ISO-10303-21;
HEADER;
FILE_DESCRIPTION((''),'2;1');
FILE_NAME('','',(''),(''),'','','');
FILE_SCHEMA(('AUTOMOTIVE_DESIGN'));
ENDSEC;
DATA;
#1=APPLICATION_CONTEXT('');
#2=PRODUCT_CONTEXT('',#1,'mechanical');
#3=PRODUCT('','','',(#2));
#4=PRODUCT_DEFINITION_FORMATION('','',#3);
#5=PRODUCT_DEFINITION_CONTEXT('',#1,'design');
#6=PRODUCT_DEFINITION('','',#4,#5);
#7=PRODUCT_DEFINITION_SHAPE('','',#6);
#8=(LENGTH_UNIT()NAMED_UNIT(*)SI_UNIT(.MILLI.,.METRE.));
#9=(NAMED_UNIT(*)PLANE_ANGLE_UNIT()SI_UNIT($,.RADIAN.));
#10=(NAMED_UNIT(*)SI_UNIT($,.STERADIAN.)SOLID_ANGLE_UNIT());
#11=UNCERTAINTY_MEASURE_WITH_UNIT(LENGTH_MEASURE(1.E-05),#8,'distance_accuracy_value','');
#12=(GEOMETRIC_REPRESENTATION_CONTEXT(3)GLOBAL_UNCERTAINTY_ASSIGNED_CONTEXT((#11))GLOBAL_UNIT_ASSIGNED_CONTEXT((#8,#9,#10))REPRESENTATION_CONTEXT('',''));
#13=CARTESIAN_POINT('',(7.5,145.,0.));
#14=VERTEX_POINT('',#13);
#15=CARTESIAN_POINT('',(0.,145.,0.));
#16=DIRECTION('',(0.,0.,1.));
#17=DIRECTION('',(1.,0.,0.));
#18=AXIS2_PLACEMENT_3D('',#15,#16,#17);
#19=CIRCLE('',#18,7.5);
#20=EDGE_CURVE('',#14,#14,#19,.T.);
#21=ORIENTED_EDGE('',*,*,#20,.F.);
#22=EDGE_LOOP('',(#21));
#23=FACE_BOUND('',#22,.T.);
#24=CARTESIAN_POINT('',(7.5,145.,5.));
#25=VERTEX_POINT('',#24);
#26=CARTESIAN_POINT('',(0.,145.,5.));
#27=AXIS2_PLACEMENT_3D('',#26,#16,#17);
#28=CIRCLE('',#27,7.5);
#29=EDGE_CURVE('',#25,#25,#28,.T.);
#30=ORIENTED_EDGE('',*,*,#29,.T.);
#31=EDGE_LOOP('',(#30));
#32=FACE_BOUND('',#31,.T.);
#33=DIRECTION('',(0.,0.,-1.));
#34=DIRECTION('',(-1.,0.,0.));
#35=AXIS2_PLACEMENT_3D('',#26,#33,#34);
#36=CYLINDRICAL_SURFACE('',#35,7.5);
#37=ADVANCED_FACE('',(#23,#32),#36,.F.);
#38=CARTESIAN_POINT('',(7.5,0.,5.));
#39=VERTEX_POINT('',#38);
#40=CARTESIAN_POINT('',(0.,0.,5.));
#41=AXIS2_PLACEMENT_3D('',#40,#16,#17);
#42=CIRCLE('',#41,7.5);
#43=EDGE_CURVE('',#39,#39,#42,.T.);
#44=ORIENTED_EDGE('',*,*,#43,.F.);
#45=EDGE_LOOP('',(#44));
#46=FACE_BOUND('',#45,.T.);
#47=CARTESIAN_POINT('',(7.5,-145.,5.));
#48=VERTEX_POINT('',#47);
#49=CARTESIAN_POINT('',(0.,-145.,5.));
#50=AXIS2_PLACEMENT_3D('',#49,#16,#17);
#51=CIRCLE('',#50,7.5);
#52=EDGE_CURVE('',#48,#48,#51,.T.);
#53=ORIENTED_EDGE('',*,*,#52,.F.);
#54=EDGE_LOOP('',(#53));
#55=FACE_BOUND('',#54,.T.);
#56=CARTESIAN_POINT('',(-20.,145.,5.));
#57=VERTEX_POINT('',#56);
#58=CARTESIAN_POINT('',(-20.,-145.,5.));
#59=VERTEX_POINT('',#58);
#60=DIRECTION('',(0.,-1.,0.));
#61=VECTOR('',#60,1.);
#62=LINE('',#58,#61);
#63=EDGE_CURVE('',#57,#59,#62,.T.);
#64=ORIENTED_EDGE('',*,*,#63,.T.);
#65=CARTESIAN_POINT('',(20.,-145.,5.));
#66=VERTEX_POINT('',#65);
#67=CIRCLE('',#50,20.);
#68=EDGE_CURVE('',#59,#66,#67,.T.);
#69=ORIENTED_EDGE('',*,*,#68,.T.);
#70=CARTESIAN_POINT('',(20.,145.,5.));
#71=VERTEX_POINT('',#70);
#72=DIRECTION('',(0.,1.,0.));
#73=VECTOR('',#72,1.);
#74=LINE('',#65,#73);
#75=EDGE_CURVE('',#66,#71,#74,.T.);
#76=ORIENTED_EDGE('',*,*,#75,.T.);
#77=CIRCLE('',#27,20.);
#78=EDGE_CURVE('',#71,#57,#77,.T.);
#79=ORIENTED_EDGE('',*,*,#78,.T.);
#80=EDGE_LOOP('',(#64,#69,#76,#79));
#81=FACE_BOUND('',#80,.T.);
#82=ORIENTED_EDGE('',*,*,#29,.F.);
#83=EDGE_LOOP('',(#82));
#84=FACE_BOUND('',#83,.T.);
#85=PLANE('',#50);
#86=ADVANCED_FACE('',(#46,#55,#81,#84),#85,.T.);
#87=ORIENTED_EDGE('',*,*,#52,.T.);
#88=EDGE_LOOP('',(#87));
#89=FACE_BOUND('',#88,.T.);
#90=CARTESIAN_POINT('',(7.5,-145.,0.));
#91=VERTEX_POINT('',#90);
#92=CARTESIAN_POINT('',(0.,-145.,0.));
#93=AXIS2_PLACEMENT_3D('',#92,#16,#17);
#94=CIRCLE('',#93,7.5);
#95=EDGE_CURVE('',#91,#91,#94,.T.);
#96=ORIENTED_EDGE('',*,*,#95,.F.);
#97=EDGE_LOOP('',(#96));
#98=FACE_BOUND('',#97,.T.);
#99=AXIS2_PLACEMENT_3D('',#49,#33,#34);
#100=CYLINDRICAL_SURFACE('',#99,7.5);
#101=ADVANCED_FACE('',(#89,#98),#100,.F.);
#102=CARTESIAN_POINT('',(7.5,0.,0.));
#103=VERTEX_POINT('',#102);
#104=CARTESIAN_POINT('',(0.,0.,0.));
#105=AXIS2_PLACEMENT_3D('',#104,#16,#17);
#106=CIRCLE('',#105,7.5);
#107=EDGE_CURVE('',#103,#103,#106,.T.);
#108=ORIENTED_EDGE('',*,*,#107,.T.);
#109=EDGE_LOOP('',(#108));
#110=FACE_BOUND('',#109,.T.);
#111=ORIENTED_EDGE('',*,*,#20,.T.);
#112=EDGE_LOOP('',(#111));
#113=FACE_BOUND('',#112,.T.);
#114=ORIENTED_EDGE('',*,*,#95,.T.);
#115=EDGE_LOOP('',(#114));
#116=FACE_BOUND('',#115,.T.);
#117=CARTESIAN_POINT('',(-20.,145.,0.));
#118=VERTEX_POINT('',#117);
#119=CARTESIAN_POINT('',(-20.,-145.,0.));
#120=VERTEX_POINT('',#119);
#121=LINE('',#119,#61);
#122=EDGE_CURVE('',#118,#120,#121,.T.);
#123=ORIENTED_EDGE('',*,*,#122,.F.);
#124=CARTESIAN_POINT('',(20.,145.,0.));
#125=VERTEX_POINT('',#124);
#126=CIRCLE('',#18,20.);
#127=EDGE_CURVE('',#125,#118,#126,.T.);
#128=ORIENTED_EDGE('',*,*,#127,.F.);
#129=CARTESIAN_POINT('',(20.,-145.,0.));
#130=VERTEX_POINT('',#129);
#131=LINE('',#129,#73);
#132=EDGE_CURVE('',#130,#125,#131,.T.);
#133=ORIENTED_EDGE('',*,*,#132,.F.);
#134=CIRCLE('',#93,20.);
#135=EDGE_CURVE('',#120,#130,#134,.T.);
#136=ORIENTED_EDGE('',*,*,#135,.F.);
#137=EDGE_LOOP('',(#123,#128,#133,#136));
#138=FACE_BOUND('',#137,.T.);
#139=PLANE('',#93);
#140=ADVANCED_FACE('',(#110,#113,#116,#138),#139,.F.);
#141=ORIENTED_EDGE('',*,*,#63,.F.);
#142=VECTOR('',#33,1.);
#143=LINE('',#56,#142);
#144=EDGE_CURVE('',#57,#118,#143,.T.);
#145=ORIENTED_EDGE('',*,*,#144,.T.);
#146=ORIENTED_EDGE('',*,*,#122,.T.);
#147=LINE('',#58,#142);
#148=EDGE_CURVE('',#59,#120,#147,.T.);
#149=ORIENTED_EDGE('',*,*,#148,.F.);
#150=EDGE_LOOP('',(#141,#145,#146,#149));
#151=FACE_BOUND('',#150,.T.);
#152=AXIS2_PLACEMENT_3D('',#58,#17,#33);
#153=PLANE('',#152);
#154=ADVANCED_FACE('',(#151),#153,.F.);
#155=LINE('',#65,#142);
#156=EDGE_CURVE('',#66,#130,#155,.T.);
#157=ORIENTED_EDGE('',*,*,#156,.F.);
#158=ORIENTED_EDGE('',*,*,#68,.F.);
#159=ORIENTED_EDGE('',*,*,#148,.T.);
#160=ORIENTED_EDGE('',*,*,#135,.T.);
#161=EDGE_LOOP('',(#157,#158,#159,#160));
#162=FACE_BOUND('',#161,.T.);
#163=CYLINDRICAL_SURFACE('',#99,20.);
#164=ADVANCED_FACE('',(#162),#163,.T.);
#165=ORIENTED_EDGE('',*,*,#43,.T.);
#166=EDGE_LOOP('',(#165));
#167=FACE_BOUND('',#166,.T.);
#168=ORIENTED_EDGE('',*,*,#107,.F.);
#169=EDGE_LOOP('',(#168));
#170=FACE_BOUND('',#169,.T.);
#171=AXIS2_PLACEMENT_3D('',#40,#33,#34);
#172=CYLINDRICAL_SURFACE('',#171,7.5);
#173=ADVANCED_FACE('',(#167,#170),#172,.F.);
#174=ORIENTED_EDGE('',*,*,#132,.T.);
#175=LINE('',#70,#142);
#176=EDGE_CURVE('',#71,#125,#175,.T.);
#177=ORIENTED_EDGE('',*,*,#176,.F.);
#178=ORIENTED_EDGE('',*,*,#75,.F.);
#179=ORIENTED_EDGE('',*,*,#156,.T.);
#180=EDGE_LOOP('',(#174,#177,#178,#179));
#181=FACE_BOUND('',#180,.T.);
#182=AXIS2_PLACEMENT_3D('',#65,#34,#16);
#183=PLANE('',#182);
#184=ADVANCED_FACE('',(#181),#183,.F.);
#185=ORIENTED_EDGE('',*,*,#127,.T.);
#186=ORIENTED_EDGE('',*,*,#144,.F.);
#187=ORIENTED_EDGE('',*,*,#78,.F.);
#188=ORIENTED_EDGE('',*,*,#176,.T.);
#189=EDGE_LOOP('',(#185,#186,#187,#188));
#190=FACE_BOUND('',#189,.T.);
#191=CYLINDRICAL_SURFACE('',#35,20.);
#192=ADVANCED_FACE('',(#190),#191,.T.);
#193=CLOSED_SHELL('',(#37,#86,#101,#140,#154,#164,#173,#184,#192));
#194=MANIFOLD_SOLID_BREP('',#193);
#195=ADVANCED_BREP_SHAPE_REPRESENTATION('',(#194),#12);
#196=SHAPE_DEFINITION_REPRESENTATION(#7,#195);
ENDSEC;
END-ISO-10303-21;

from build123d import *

# Parameters (mm, degrees)
SKETCH1_R           = 7.5
BOSS_EXTRUDE1_DEPTH = 5


with BuildPart() as part:
    # Sketch1 → Boss-Extrude1 (new body)
    with BuildSketch(Plane.XY):
        with BuildLine():
            Line((-20, -145), (-20, 145))
            ThreePointArc((-20, 145), (0, 165), (20, 145))
            Line((20, 145), (20, -145))
            ThreePointArc((20, -145), (0, -165), (-20, -145))
        make_face()
        with Locations((0, 145)):
            Circle(SKETCH1_R, mode=Mode.SUBTRACT)
        Circle(SKETCH1_R, mode=Mode.SUBTRACT)
        with Locations((0, -145)):
            Circle(SKETCH1_R, mode=Mode.SUBTRACT)
    extrude(amount=BOSS_EXTRUDE1_DEPTH)


solid = part.part
